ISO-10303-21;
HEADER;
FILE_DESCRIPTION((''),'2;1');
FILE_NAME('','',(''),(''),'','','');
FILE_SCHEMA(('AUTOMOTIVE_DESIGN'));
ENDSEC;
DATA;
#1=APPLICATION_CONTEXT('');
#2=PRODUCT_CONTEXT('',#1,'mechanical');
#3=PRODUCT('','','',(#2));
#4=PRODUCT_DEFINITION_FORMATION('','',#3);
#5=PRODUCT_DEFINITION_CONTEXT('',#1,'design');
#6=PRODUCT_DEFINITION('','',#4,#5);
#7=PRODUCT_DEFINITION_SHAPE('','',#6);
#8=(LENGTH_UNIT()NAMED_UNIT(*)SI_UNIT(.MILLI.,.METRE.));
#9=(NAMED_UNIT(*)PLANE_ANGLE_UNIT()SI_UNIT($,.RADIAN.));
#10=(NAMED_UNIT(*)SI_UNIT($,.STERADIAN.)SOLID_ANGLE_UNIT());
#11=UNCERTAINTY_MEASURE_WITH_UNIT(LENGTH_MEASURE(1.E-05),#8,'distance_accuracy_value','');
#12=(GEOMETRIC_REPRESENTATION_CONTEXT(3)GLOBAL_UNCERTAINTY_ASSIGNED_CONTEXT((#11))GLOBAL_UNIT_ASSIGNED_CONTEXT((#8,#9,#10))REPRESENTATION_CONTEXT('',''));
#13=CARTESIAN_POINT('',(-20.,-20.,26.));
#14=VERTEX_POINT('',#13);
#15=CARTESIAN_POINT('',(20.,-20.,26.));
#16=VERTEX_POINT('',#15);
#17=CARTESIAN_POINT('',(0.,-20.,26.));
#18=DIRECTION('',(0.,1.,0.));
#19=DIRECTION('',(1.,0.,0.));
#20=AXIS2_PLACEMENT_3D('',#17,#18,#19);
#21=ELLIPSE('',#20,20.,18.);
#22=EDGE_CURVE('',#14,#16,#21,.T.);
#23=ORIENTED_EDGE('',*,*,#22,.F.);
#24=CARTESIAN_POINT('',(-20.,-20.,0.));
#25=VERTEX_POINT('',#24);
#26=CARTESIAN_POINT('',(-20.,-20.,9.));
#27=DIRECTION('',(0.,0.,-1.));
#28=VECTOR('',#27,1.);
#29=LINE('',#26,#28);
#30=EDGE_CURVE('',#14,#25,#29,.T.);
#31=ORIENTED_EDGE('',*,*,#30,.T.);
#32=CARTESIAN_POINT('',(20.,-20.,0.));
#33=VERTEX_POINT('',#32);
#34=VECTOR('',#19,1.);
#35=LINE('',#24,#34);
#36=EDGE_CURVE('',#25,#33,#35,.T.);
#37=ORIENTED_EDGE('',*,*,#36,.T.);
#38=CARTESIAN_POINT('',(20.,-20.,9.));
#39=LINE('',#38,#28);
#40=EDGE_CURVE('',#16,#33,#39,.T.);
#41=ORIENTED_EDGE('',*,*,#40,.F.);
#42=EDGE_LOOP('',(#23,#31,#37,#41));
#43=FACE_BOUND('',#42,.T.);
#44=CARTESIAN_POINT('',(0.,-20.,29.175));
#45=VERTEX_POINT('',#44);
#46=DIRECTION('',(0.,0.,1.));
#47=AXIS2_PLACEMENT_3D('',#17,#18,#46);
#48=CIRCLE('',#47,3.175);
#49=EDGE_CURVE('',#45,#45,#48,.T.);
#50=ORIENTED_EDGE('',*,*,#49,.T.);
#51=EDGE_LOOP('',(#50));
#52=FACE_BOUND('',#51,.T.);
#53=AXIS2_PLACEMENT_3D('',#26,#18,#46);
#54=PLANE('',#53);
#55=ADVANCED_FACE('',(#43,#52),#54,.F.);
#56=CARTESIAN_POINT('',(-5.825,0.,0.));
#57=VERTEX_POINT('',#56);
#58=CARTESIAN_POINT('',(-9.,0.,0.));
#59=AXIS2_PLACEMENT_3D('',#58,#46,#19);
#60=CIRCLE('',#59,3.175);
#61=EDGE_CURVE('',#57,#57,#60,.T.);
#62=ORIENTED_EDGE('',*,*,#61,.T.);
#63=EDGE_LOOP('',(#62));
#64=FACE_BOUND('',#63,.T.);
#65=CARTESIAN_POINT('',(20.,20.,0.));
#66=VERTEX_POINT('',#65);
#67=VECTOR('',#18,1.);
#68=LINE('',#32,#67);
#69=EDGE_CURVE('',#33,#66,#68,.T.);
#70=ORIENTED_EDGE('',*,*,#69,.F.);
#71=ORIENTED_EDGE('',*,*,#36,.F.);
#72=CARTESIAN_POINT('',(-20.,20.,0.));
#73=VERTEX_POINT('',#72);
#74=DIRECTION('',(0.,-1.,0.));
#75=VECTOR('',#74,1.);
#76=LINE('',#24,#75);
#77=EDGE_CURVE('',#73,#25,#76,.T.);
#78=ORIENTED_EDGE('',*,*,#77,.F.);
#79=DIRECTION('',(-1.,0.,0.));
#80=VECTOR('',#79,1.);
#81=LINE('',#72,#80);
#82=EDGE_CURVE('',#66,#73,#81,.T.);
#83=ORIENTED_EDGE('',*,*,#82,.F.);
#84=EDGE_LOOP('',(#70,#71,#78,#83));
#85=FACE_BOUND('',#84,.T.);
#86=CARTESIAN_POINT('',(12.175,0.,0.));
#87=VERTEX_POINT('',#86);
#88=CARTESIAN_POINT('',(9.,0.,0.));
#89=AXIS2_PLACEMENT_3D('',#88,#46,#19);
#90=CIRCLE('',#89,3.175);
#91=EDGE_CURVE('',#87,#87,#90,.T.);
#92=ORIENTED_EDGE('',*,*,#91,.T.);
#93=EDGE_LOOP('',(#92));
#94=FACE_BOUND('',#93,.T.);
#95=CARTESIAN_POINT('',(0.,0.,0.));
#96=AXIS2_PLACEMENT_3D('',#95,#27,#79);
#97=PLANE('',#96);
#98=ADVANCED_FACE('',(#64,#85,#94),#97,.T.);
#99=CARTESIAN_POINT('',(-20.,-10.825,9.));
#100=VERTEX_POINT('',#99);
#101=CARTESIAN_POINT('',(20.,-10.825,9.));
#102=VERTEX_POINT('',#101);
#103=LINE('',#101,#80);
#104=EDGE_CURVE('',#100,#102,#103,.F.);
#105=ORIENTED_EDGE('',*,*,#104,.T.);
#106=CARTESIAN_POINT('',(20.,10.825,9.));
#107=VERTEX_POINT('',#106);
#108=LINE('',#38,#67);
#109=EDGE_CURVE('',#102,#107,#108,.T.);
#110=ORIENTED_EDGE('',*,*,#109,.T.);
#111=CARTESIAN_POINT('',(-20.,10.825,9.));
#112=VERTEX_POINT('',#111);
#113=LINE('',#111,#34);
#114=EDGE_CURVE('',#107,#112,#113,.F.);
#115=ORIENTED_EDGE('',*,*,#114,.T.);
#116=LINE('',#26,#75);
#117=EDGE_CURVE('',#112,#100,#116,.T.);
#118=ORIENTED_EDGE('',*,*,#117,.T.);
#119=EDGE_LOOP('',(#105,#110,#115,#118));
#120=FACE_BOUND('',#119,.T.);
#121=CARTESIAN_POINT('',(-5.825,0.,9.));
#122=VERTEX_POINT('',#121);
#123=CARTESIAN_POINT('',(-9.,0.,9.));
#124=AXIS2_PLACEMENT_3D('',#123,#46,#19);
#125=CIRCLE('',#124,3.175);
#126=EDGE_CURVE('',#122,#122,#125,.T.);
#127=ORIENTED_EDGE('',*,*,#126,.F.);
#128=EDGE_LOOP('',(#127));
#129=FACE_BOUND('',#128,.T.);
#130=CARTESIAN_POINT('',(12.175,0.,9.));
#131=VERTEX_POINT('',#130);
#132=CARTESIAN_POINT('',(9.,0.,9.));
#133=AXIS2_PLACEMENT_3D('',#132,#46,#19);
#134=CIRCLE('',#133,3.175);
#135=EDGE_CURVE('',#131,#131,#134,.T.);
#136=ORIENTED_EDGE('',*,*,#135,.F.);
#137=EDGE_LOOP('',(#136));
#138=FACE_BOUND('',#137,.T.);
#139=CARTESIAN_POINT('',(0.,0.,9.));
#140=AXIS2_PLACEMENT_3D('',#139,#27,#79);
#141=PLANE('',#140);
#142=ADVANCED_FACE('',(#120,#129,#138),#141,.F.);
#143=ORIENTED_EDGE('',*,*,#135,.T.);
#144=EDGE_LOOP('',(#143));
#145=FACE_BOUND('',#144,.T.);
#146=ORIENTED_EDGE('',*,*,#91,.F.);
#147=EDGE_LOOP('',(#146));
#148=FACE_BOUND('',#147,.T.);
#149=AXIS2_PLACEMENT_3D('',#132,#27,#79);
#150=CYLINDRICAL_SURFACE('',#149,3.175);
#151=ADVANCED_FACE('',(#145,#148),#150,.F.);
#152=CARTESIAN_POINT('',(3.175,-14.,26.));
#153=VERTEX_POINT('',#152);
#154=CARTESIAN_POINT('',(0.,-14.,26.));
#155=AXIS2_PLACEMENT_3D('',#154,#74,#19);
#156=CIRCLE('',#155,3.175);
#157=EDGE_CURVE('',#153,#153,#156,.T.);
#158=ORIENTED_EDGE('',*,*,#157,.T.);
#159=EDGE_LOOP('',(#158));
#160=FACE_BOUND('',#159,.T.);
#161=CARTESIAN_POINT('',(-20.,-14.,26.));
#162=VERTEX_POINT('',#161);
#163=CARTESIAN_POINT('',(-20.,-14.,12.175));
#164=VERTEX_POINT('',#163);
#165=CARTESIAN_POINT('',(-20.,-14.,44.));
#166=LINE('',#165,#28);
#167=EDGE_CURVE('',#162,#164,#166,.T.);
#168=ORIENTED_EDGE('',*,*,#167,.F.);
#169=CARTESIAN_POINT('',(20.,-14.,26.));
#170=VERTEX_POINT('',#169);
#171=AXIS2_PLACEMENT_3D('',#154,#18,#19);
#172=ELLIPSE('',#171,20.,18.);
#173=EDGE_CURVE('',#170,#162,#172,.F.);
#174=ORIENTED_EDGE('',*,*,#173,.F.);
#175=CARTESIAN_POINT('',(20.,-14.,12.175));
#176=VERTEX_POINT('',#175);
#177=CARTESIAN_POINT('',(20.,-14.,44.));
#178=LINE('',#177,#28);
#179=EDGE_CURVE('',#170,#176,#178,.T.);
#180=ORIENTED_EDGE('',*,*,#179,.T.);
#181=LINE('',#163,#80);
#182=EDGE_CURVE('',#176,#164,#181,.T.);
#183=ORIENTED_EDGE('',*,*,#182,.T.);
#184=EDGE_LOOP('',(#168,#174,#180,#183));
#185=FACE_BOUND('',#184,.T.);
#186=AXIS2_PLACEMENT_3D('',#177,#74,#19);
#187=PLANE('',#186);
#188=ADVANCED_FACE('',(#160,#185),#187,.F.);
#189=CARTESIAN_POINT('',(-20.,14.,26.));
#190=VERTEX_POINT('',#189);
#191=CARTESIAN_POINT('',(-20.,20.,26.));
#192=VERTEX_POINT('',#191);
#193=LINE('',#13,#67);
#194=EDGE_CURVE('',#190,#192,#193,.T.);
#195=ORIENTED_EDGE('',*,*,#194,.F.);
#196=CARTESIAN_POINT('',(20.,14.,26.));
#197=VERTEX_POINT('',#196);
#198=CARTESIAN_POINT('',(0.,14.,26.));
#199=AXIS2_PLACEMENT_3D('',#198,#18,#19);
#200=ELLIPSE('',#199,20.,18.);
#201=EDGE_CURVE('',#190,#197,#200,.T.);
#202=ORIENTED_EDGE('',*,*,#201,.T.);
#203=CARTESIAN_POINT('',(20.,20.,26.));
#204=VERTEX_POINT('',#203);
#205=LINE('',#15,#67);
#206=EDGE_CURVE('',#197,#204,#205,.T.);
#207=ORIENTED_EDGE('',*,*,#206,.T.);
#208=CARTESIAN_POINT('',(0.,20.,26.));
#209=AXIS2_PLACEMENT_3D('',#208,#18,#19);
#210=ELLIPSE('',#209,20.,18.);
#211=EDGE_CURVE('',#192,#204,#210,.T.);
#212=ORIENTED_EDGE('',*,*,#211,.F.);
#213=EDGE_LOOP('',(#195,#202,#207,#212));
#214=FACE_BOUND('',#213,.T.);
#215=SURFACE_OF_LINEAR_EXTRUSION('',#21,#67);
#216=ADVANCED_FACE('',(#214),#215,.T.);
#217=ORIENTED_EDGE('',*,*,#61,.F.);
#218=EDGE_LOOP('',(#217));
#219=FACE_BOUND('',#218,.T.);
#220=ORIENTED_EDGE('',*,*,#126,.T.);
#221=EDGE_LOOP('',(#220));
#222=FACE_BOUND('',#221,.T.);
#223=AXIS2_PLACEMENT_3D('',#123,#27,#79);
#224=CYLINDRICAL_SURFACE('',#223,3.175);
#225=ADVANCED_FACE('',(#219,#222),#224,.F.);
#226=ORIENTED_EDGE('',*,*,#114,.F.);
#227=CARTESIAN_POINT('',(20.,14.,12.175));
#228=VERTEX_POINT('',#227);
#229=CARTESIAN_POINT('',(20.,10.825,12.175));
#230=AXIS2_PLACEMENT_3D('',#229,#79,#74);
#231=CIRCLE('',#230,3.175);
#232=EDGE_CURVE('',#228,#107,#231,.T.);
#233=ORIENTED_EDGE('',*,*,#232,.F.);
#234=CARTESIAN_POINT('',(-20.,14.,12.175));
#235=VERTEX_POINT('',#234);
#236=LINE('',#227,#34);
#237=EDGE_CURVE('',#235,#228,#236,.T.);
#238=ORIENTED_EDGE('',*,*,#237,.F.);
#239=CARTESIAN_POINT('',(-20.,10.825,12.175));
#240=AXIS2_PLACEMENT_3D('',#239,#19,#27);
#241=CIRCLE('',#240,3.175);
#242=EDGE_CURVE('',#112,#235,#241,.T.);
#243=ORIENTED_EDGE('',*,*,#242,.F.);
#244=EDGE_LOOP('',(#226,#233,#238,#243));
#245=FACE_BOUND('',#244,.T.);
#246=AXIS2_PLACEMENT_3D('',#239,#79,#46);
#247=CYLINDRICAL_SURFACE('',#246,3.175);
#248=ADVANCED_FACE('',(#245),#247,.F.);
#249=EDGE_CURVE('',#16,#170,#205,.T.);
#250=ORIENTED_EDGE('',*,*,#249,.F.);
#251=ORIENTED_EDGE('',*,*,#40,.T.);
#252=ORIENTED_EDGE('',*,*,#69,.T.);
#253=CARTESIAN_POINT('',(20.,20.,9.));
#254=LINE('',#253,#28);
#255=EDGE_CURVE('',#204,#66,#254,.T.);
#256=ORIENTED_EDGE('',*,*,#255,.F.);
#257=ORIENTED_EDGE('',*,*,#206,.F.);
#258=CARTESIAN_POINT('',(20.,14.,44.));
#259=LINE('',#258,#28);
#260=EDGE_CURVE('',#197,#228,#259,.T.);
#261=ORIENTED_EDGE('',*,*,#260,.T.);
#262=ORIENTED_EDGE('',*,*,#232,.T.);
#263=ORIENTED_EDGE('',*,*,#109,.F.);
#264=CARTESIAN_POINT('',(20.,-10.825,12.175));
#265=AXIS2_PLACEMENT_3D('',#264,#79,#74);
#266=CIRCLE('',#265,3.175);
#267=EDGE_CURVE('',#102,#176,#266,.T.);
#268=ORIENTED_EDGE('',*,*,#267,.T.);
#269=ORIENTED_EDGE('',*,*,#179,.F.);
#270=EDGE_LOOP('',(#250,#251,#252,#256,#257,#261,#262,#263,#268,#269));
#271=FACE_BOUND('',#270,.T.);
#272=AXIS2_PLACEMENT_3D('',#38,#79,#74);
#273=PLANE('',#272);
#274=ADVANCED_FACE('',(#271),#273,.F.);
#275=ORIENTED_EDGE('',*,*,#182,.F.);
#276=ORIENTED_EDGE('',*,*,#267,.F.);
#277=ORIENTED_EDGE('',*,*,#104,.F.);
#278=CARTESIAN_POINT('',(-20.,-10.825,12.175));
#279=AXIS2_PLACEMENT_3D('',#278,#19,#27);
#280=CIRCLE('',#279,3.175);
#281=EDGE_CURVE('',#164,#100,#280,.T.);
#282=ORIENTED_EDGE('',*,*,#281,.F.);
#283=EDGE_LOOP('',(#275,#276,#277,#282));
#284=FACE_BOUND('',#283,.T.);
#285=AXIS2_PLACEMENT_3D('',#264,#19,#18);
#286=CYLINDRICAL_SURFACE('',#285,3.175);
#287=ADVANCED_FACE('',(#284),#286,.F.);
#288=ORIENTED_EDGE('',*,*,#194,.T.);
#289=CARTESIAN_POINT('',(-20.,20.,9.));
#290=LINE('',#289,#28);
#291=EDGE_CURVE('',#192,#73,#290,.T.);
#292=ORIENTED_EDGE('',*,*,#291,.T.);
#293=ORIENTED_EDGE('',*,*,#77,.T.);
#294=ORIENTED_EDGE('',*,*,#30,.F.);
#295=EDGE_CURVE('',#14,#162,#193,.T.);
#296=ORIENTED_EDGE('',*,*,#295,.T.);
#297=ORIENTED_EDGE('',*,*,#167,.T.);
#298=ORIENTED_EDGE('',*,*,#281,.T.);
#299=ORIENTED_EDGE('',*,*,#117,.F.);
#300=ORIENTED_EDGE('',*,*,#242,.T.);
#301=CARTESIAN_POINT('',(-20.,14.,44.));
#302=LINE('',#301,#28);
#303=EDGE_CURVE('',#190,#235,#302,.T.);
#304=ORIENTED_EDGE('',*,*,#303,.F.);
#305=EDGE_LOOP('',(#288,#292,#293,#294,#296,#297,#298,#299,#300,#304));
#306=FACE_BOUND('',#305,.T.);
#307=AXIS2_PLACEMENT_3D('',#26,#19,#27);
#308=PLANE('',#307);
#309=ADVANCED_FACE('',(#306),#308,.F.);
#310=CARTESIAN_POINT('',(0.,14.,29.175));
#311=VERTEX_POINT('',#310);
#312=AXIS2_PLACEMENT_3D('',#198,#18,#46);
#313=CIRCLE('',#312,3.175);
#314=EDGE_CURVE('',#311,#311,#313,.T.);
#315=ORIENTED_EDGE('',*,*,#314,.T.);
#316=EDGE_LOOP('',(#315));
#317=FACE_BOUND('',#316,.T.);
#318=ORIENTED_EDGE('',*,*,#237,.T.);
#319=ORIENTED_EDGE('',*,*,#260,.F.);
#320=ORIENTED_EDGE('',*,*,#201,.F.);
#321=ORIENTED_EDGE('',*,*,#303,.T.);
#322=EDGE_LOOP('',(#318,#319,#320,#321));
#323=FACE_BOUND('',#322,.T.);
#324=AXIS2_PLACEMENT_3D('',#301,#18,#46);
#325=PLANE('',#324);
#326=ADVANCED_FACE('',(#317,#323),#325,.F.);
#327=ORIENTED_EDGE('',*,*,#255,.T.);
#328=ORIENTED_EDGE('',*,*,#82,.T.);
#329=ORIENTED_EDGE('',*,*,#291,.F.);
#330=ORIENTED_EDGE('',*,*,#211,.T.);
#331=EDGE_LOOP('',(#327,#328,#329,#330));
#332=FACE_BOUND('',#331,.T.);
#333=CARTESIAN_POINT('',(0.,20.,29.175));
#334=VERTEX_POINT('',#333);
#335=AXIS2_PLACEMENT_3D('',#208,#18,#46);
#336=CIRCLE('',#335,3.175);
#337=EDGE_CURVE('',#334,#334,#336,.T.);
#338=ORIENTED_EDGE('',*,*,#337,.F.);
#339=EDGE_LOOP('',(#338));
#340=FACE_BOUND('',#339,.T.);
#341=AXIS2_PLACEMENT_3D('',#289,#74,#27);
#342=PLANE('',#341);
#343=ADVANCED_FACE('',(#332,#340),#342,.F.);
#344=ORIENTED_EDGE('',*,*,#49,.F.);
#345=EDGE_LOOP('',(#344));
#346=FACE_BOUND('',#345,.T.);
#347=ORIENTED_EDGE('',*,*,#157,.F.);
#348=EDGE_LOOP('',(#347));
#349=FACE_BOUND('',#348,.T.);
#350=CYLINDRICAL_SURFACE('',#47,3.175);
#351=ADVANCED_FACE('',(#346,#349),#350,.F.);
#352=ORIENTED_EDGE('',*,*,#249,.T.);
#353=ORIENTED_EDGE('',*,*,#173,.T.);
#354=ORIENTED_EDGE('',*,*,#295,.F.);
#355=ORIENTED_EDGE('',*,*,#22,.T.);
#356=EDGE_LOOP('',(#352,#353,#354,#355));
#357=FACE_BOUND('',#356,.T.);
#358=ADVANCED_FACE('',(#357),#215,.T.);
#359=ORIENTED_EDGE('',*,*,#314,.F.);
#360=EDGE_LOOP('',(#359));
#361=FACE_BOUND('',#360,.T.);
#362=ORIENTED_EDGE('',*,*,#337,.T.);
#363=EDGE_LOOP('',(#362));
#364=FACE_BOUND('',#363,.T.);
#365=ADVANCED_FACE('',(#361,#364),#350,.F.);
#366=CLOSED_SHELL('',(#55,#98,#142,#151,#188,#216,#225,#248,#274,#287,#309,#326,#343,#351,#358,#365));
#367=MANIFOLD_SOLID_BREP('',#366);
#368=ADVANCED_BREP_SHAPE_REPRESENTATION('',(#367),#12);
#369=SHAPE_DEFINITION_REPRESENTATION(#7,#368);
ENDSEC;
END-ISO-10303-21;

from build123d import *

# Parameters (mm, degrees)
SKETCH1_W           = 40
SKETCH1_H           = 40
SKETCH1_R           = 3.175
BOSS_EXTRUDE1_DEPTH = 9
SKETCH2_W           = 40
SKETCH2_H           = 6
BOSS_EXTRUDE2_DEPTH = 35
FILLET1_R           = 3.175
SKETCH3_R           = 3.175
CUT_EXTRUDE1_DEPTH  = 63.737548565


with BuildPart() as part:
    # Sketch1 → Boss-Extrude1 (new body)
    with BuildSketch(Plane.XY):
        Rectangle(SKETCH1_W, SKETCH1_H)
        with Locations((9, 0)):
            Circle(SKETCH1_R, mode=Mode.SUBTRACT)
        with Locations((-9, 0)):
            Circle(SKETCH1_R, mode=Mode.SUBTRACT)
    extrude(amount=BOSS_EXTRUDE1_DEPTH)

    # Sketch2 → Boss-Extrude2 (add)
    with BuildSketch(Plane.XY.offset(9)):
        with Locations((0, 17)):
            Rectangle(SKETCH2_W, SKETCH2_H)
        with Locations((0, -17)):
            Rectangle(SKETCH2_W, SKETCH2_H)
    extrude(amount=BOSS_EXTRUDE2_DEPTH)

    # Fillet1
    fillet1_edges = [part.edges().sort_by_distance(p)[0] for p in [
        (0, -14, 9),
        (0, 14, 9),
    ]]
    fillet(fillet1_edges, radius=FILLET1_R)

    # Sketch3 → Cut-Extrude1 (cut, through all)
    with BuildSketch(Plane(origin=(0, 20, 0), x_dir=(1, 0, 0), z_dir=(0, 1, 0))):
        with BuildLine():
            Line((-20, -44), (1e-09, -44))
            add(Edge.make_bspline(
                [(-20, -26), (-20, -44), (0, -44)],
                knots=[3.141592654, 3.141592654, 3.141592654, 4.71238898, 4.71238898, 4.71238898], degree=2, weights=[1, 0.707106781, 1]))
            Line((-20, -26), (-20, -44))
        make_face()
        with BuildLine():
            Line((1e-09, -44), (20, -44))
            Line((20, -44), (20, -26))
            add(Edge.make_bspline(
                [(0, -44), (20, -44), (20, -26)],
                knots=[4.71238898, 4.71238898, 4.71238898, 6.283185307, 6.283185307, 6.283185307], degree=2, weights=[1, 0.707106781, 1]))
        make_face()
        with Locations(Location((0, -26, 0), (0, 0, 270))):
            Circle(SKETCH3_R)
    extrude(amount=-CUT_EXTRUDE1_DEPTH, mode=Mode.SUBTRACT)


solid = part.part
